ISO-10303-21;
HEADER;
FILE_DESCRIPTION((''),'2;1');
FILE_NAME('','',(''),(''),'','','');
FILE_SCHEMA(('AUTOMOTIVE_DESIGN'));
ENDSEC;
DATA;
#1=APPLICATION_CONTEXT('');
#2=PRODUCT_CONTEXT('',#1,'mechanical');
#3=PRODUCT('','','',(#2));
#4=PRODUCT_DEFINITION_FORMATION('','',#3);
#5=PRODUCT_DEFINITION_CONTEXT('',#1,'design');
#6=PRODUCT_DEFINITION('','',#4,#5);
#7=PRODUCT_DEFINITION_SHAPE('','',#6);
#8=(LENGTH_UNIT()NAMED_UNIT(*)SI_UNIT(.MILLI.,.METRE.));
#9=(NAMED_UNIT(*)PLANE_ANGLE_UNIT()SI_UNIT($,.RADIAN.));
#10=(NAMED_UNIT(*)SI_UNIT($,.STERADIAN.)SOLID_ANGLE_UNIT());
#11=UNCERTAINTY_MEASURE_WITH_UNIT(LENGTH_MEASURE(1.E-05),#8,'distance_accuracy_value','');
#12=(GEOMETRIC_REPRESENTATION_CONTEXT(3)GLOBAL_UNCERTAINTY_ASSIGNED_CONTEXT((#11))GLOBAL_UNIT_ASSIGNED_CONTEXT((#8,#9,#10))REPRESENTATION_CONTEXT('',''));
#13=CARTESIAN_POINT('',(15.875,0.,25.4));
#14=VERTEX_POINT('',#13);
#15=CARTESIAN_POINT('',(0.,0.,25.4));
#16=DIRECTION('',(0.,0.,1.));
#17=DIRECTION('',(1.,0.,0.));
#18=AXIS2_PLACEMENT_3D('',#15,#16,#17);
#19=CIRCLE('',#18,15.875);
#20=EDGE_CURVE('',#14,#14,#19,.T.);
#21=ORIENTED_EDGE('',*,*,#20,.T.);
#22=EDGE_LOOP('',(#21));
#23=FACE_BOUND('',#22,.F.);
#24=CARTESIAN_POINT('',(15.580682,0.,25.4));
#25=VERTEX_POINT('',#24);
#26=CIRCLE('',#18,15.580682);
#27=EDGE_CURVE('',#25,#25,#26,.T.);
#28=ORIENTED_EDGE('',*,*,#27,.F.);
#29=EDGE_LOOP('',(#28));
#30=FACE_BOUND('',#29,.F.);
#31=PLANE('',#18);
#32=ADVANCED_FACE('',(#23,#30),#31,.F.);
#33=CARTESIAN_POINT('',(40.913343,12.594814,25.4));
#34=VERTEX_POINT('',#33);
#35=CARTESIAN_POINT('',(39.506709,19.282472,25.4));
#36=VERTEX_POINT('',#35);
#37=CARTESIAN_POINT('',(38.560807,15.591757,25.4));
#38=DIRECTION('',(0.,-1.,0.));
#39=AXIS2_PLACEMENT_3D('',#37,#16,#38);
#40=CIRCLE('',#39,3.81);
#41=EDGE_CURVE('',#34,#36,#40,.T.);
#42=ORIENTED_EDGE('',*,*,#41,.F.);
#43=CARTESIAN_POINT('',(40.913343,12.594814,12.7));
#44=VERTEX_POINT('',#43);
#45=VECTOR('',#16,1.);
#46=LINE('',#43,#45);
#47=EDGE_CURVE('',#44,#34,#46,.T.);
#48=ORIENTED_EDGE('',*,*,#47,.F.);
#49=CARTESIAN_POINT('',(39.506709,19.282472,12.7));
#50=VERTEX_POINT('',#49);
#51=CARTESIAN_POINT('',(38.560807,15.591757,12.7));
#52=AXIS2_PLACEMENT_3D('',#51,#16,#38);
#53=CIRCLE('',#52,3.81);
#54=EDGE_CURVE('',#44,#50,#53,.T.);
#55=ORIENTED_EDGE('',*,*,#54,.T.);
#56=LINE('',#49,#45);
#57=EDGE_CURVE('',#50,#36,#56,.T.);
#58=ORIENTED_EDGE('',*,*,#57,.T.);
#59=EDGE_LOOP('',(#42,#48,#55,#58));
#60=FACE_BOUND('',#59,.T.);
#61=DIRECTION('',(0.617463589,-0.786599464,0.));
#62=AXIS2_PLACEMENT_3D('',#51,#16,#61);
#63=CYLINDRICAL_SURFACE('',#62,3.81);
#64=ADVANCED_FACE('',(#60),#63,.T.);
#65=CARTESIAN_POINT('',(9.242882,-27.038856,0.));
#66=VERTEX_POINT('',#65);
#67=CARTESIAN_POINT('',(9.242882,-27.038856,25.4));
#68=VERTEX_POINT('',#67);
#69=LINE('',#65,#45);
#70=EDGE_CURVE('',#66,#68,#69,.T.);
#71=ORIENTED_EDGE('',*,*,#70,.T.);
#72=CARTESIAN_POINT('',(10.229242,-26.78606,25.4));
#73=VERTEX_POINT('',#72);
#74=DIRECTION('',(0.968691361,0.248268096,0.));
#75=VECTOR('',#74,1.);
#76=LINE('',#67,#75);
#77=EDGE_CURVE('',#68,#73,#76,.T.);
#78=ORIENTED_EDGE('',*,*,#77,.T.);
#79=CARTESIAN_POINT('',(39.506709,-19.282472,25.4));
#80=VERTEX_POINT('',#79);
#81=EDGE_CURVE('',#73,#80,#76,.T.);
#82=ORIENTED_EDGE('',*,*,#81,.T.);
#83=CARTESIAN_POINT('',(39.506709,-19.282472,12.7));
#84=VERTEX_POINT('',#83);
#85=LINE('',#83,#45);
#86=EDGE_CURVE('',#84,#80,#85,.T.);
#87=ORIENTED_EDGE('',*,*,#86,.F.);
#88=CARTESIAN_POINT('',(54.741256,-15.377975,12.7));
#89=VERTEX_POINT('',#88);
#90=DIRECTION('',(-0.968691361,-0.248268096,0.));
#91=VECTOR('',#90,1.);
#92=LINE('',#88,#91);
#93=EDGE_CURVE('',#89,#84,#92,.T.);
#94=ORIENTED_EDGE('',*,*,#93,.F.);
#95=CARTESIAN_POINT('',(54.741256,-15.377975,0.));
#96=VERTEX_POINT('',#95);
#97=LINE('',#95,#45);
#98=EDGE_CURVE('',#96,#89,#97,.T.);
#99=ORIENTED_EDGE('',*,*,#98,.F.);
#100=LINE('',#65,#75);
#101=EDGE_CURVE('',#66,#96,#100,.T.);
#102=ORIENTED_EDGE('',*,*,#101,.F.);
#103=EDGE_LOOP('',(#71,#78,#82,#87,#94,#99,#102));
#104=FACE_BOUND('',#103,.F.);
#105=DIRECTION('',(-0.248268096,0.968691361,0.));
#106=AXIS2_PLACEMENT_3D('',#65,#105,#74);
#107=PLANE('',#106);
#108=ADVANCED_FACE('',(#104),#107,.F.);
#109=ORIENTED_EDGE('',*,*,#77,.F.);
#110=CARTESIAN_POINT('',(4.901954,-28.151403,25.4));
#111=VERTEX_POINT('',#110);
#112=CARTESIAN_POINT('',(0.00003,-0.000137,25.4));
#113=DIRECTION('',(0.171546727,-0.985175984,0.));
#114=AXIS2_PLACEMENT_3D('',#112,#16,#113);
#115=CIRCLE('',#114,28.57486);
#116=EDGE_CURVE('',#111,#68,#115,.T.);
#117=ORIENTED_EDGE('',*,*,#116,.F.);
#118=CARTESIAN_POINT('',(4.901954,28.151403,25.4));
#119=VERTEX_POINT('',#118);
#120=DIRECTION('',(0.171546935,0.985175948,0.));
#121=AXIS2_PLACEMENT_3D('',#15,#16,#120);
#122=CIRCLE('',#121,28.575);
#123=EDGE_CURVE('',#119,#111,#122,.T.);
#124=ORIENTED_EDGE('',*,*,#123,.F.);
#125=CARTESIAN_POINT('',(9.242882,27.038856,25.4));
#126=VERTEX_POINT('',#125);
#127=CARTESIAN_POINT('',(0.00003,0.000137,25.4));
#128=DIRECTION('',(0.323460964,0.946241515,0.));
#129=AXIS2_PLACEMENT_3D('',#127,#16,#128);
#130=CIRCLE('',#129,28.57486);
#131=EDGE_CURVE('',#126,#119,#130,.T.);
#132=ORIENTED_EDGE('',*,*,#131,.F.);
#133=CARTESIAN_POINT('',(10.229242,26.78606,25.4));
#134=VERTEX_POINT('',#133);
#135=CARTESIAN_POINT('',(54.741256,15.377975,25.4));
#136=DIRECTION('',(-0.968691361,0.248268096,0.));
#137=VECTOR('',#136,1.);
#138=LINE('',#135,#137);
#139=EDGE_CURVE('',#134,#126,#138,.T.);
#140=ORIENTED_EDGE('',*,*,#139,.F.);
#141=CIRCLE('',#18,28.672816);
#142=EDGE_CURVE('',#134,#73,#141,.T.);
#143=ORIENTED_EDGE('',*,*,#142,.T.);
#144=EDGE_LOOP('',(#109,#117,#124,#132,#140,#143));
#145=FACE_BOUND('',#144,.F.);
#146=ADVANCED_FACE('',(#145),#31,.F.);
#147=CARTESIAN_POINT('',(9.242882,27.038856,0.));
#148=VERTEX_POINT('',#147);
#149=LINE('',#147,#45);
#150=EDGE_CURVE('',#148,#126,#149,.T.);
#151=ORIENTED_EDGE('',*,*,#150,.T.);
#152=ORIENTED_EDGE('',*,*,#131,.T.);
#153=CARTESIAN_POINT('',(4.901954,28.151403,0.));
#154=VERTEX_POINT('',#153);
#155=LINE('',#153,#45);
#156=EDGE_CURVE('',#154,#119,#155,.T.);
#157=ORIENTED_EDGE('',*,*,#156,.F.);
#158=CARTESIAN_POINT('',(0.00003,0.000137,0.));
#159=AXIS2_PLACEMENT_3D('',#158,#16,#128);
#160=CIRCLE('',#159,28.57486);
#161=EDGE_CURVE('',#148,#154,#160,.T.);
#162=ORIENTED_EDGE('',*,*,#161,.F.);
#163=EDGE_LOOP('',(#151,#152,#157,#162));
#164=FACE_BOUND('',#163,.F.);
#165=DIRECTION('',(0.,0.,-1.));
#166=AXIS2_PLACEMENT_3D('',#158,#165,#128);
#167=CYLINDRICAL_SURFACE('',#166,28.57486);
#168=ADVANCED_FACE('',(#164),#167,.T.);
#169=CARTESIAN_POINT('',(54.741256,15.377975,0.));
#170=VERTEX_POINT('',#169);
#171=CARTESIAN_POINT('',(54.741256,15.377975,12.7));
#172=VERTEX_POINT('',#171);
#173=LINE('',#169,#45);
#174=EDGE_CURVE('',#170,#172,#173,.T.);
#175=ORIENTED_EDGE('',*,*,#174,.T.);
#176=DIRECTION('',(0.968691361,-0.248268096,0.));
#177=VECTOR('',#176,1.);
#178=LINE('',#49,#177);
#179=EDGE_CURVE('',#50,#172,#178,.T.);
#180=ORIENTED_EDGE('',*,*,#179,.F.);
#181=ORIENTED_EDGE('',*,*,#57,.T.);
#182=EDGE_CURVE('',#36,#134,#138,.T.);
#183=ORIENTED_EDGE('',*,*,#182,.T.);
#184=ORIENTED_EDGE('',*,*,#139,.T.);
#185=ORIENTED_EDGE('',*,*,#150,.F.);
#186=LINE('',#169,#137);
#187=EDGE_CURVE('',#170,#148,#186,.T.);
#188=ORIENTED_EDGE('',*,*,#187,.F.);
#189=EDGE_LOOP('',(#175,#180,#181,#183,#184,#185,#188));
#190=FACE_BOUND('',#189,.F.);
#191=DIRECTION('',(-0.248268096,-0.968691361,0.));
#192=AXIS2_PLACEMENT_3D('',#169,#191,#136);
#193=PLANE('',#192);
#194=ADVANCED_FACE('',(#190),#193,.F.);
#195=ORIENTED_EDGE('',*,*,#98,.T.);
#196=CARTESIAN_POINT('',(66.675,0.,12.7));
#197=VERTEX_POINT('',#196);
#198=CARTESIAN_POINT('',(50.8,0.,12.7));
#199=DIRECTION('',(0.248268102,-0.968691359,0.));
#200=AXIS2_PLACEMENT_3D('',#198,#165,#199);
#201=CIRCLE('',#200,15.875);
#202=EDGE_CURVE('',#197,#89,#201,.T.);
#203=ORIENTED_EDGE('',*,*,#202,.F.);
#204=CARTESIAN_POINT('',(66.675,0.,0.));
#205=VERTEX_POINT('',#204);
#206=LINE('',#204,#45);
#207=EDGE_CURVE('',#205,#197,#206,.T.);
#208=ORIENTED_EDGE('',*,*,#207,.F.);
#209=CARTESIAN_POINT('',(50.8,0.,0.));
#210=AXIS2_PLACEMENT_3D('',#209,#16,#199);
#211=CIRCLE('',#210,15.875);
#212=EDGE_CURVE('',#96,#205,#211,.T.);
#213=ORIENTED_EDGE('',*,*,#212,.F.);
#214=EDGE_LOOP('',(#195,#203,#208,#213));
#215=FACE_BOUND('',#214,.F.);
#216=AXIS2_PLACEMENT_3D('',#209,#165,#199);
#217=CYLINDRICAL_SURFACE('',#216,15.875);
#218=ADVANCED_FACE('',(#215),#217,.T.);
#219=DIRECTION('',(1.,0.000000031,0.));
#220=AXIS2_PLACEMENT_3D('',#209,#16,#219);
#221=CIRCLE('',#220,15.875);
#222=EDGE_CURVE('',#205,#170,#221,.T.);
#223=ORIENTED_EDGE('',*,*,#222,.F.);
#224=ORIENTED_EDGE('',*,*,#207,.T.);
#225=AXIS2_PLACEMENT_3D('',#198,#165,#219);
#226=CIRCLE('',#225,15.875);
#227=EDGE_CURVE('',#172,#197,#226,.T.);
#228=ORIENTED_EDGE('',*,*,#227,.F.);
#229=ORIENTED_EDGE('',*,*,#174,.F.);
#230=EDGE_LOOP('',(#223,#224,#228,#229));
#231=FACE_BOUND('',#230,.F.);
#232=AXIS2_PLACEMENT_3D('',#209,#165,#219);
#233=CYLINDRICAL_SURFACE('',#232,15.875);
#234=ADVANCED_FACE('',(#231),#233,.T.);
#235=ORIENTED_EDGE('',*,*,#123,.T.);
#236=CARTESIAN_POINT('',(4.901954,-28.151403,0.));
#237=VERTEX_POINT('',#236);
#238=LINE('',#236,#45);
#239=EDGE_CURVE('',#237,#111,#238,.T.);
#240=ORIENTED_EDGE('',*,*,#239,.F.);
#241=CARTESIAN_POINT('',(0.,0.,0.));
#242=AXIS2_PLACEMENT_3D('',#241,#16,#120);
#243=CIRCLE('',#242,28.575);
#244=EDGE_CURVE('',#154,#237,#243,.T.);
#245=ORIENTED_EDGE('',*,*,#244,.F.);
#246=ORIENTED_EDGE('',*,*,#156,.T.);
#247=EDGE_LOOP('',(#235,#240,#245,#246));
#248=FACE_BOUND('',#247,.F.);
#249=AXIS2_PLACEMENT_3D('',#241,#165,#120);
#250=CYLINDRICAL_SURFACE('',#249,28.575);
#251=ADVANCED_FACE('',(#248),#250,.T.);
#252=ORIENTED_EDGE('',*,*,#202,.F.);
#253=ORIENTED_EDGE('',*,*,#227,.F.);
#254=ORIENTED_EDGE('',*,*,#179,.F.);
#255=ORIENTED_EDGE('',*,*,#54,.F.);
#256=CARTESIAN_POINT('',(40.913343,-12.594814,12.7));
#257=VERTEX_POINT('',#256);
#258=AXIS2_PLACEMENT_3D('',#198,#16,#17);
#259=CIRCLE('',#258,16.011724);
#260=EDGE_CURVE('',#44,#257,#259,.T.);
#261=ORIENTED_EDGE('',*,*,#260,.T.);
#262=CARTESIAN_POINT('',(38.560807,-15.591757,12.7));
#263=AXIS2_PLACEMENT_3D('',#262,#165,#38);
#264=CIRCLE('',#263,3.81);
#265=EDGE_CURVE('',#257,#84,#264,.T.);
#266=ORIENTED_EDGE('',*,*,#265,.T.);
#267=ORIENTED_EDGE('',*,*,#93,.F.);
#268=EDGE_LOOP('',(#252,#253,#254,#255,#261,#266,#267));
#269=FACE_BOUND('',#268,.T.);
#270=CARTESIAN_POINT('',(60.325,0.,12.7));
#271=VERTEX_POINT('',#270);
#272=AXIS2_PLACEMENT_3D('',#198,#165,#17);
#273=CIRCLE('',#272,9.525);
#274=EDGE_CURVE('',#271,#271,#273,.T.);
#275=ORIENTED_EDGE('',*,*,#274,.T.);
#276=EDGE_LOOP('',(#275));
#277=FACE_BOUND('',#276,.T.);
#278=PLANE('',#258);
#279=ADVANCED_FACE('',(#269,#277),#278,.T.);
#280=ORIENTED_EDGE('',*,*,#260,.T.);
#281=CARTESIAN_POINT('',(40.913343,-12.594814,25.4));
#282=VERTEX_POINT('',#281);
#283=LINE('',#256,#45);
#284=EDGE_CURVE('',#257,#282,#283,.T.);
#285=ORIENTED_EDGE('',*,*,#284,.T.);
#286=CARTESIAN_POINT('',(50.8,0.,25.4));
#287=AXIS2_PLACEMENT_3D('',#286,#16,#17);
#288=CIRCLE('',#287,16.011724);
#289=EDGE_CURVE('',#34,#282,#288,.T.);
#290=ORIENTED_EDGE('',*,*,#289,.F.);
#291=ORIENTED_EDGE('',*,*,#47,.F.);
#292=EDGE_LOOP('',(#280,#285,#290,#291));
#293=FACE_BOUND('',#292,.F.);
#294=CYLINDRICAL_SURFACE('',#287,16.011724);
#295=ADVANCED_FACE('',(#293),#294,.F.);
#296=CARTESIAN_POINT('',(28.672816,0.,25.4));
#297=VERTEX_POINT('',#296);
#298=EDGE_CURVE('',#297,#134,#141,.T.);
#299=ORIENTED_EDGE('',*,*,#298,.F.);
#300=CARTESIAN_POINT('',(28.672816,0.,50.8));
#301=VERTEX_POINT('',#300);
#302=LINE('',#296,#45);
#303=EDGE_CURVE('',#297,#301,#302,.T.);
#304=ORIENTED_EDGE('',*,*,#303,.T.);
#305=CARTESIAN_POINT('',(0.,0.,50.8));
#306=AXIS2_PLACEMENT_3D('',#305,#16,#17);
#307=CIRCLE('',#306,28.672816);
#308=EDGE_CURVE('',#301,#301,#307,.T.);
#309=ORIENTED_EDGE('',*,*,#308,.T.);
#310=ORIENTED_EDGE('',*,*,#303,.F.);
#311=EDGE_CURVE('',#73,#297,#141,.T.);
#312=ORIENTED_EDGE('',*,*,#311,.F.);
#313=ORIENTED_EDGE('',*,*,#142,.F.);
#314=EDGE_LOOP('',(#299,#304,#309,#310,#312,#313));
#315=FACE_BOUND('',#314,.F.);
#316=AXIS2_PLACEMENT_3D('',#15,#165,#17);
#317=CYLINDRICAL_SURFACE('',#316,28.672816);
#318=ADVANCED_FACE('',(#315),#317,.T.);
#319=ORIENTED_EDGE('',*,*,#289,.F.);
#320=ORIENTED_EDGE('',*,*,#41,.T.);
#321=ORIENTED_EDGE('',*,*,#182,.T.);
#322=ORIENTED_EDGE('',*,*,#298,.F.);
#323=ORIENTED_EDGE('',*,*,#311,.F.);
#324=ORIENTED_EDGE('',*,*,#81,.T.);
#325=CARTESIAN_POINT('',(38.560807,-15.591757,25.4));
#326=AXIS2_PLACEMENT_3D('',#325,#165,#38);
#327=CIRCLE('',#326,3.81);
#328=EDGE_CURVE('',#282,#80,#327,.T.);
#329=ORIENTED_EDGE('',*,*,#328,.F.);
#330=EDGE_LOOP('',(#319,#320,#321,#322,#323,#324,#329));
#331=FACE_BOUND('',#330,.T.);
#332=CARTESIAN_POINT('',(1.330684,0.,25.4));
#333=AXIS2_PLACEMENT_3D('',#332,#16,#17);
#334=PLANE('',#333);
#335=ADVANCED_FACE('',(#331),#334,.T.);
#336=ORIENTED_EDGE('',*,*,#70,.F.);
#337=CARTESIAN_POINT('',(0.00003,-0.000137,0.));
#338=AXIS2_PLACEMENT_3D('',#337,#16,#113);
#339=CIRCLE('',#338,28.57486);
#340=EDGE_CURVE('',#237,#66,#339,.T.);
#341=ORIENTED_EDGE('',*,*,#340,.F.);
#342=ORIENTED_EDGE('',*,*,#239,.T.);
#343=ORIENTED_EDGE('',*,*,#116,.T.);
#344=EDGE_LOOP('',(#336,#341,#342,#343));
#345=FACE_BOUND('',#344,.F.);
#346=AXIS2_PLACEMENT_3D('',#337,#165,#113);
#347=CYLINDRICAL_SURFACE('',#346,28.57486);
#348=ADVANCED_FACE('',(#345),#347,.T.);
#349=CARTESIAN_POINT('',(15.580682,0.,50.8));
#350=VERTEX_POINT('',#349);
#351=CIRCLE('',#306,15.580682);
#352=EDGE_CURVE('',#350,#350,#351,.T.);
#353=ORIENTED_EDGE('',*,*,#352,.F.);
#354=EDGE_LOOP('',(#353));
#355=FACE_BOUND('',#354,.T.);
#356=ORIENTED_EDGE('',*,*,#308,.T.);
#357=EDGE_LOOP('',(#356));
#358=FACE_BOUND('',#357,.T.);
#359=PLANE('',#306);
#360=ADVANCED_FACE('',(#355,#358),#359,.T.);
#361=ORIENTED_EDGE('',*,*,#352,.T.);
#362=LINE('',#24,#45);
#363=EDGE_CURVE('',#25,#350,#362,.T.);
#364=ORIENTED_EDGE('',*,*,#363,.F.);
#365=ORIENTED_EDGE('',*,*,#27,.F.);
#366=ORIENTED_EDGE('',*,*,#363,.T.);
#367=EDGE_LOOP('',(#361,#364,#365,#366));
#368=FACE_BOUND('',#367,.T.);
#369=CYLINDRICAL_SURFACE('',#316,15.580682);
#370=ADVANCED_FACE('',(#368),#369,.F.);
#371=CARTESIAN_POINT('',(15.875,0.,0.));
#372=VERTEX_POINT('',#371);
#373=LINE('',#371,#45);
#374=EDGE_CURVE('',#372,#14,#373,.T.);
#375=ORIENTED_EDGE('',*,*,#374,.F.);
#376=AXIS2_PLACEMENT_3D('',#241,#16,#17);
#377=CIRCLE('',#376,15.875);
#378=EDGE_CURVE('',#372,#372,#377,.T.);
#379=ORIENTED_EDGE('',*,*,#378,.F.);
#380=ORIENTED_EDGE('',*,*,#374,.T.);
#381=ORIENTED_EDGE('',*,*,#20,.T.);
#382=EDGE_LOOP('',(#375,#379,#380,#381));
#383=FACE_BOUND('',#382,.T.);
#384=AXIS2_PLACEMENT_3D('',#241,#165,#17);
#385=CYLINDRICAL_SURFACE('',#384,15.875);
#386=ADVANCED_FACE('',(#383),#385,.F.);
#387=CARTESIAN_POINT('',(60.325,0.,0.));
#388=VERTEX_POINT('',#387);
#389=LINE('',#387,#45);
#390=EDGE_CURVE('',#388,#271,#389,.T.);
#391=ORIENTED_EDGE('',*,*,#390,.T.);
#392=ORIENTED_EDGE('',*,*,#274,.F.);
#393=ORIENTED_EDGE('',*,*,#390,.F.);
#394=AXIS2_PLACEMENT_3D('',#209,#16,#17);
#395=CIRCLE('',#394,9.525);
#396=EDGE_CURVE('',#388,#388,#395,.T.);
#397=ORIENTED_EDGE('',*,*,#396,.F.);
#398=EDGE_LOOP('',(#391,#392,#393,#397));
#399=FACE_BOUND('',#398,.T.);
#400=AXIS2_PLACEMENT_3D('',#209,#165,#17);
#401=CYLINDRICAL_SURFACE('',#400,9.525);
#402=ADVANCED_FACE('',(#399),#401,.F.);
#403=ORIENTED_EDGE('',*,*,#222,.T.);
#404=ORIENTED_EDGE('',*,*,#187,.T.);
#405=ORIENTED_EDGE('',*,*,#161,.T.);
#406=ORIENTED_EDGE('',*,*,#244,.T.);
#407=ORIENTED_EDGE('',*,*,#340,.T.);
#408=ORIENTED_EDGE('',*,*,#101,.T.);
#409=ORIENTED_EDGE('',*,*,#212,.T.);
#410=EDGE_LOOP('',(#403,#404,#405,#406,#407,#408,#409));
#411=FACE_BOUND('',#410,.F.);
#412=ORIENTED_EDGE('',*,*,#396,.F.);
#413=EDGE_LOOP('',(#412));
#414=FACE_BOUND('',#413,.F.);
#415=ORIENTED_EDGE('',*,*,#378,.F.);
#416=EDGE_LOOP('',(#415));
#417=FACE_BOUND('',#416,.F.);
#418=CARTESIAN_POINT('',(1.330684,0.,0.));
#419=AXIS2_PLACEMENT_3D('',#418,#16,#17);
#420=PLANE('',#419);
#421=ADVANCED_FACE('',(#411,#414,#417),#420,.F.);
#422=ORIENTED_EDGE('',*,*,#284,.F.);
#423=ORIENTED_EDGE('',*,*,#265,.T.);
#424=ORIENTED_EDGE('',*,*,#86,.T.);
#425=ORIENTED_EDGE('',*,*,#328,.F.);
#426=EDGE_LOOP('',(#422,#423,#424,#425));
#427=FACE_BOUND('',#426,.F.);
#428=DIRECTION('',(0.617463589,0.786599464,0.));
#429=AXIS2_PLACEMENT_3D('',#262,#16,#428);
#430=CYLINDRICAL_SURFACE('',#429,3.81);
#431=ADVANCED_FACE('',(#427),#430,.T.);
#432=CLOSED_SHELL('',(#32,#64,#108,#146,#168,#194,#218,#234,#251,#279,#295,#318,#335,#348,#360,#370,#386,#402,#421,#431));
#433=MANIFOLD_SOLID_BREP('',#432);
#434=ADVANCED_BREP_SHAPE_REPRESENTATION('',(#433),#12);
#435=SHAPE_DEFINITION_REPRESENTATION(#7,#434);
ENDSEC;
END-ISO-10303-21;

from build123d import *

# Parameters (mm, degrees)
F0_R     = 15.875
F0_R_2   = 9.525
F1_DEPTH = 25.4
F2_R     = 28.672816
F2_R_2   = 15.580682
F3_DEPTH = 25.4
F4_R     = 16.011724
F4_R_2   = 9.452636
F5_DEPTH = 12.7
F6_R     = 3.81


with BuildPart() as f1:
    # F0 (on Top) → F1 (new body)
    with BuildSketch(Plane.XY):
        with BuildLine():
            Line((9.242882, 27.038856), (4.901954, 28.151403))
            ThreePointArc((4.901954, 28.151403), (-28.575, 0), (4.901954, -28.151403))
            Line((4.901954, -28.151403), (9.242882, -27.038856))
            ThreePointArc((9.242882, -27.038856), (23.244849, -16.619496), (28.575, 0))
            ThreePointArc((28.575, 0), (23.244849, 16.619496), (9.242882, 27.038856))
        make_face()
        Circle(F0_R, mode=Mode.SUBTRACT)
        with BuildLine():
            ThreePointArc((9.242882, 27.038856), (7.094261, 27.680356), (4.901954, 28.151403))
            Line((4.901954, 28.151403), (9.242882, 27.038856))
        make_face()
        with BuildLine():
            Line((9.242882, -27.038856), (4.901954, -28.151403))
            ThreePointArc((4.901954, -28.151403), (7.094261, -27.680356), (9.242882, -27.038856))
        make_face()
        with BuildLine():
            Line((54.741256, 15.377975), (9.242882, 27.038856))
            ThreePointArc((9.242882, 27.038856), (23.244849, 16.619496), (28.575, 0))
            Line((28.575, 0), (34.925, 0))
            ThreePointArc((34.925, 0), (41.06737, 12.541592), (54.741256, 15.377975))
        make_face()
        with BuildLine():
            ThreePointArc((28.575, 0), (23.244849, -16.619496), (9.242882, -27.038856))
            Line((9.242882, -27.038856), (54.741256, -15.377975))
            ThreePointArc((54.741256, -15.377975), (41.06737, -12.541592), (34.925, 0))
            Line((34.925, 0), (28.575, 0))
        make_face()
        with BuildLine():
            ThreePointArc((66.675, 0), (63.341592, 9.73263), (54.741256, 15.377975))
            ThreePointArc((54.741256, 15.377975), (41.06737, 12.541592), (34.925, 0))
            ThreePointArc((34.925, 0), (41.06737, -12.541592), (54.741256, -15.377975))
            ThreePointArc((54.741256, -15.377975), (63.341592, -9.73263), (66.675, 0))
        make_face()
        with Locations((50.8, 0)):
            Circle(F0_R_2, mode=Mode.SUBTRACT)
    extrude(amount=F1_DEPTH)

    # F2 (on face) → F3 (join)
    with BuildSketch(Plane.XY.offset(25.4)):
        Circle(F2_R)
        Circle(F2_R_2, mode=Mode.SUBTRACT)
    extrude(amount=F3_DEPTH)

    # F4 (on face) → F5 (cut)
    with BuildSketch(Plane.XY.offset(25.4)):
        with Locations((50.8, 0)):
            Circle(F4_R)
        with Locations((50.8, 0)):
            Circle(F4_R_2, mode=Mode.SUBTRACT)
    extrude(amount=-F5_DEPTH, mode=Mode.SUBTRACT)

    # F6
    f6_edges = [f1.edges().sort_by_distance(p)[0] for p in [
        (52.718644, -15.896355, 19.05),
        (52.718644, 15.896355, 19.05),
    ]]
    fillet(f6_edges, radius=F6_R)


solid = f1.part
